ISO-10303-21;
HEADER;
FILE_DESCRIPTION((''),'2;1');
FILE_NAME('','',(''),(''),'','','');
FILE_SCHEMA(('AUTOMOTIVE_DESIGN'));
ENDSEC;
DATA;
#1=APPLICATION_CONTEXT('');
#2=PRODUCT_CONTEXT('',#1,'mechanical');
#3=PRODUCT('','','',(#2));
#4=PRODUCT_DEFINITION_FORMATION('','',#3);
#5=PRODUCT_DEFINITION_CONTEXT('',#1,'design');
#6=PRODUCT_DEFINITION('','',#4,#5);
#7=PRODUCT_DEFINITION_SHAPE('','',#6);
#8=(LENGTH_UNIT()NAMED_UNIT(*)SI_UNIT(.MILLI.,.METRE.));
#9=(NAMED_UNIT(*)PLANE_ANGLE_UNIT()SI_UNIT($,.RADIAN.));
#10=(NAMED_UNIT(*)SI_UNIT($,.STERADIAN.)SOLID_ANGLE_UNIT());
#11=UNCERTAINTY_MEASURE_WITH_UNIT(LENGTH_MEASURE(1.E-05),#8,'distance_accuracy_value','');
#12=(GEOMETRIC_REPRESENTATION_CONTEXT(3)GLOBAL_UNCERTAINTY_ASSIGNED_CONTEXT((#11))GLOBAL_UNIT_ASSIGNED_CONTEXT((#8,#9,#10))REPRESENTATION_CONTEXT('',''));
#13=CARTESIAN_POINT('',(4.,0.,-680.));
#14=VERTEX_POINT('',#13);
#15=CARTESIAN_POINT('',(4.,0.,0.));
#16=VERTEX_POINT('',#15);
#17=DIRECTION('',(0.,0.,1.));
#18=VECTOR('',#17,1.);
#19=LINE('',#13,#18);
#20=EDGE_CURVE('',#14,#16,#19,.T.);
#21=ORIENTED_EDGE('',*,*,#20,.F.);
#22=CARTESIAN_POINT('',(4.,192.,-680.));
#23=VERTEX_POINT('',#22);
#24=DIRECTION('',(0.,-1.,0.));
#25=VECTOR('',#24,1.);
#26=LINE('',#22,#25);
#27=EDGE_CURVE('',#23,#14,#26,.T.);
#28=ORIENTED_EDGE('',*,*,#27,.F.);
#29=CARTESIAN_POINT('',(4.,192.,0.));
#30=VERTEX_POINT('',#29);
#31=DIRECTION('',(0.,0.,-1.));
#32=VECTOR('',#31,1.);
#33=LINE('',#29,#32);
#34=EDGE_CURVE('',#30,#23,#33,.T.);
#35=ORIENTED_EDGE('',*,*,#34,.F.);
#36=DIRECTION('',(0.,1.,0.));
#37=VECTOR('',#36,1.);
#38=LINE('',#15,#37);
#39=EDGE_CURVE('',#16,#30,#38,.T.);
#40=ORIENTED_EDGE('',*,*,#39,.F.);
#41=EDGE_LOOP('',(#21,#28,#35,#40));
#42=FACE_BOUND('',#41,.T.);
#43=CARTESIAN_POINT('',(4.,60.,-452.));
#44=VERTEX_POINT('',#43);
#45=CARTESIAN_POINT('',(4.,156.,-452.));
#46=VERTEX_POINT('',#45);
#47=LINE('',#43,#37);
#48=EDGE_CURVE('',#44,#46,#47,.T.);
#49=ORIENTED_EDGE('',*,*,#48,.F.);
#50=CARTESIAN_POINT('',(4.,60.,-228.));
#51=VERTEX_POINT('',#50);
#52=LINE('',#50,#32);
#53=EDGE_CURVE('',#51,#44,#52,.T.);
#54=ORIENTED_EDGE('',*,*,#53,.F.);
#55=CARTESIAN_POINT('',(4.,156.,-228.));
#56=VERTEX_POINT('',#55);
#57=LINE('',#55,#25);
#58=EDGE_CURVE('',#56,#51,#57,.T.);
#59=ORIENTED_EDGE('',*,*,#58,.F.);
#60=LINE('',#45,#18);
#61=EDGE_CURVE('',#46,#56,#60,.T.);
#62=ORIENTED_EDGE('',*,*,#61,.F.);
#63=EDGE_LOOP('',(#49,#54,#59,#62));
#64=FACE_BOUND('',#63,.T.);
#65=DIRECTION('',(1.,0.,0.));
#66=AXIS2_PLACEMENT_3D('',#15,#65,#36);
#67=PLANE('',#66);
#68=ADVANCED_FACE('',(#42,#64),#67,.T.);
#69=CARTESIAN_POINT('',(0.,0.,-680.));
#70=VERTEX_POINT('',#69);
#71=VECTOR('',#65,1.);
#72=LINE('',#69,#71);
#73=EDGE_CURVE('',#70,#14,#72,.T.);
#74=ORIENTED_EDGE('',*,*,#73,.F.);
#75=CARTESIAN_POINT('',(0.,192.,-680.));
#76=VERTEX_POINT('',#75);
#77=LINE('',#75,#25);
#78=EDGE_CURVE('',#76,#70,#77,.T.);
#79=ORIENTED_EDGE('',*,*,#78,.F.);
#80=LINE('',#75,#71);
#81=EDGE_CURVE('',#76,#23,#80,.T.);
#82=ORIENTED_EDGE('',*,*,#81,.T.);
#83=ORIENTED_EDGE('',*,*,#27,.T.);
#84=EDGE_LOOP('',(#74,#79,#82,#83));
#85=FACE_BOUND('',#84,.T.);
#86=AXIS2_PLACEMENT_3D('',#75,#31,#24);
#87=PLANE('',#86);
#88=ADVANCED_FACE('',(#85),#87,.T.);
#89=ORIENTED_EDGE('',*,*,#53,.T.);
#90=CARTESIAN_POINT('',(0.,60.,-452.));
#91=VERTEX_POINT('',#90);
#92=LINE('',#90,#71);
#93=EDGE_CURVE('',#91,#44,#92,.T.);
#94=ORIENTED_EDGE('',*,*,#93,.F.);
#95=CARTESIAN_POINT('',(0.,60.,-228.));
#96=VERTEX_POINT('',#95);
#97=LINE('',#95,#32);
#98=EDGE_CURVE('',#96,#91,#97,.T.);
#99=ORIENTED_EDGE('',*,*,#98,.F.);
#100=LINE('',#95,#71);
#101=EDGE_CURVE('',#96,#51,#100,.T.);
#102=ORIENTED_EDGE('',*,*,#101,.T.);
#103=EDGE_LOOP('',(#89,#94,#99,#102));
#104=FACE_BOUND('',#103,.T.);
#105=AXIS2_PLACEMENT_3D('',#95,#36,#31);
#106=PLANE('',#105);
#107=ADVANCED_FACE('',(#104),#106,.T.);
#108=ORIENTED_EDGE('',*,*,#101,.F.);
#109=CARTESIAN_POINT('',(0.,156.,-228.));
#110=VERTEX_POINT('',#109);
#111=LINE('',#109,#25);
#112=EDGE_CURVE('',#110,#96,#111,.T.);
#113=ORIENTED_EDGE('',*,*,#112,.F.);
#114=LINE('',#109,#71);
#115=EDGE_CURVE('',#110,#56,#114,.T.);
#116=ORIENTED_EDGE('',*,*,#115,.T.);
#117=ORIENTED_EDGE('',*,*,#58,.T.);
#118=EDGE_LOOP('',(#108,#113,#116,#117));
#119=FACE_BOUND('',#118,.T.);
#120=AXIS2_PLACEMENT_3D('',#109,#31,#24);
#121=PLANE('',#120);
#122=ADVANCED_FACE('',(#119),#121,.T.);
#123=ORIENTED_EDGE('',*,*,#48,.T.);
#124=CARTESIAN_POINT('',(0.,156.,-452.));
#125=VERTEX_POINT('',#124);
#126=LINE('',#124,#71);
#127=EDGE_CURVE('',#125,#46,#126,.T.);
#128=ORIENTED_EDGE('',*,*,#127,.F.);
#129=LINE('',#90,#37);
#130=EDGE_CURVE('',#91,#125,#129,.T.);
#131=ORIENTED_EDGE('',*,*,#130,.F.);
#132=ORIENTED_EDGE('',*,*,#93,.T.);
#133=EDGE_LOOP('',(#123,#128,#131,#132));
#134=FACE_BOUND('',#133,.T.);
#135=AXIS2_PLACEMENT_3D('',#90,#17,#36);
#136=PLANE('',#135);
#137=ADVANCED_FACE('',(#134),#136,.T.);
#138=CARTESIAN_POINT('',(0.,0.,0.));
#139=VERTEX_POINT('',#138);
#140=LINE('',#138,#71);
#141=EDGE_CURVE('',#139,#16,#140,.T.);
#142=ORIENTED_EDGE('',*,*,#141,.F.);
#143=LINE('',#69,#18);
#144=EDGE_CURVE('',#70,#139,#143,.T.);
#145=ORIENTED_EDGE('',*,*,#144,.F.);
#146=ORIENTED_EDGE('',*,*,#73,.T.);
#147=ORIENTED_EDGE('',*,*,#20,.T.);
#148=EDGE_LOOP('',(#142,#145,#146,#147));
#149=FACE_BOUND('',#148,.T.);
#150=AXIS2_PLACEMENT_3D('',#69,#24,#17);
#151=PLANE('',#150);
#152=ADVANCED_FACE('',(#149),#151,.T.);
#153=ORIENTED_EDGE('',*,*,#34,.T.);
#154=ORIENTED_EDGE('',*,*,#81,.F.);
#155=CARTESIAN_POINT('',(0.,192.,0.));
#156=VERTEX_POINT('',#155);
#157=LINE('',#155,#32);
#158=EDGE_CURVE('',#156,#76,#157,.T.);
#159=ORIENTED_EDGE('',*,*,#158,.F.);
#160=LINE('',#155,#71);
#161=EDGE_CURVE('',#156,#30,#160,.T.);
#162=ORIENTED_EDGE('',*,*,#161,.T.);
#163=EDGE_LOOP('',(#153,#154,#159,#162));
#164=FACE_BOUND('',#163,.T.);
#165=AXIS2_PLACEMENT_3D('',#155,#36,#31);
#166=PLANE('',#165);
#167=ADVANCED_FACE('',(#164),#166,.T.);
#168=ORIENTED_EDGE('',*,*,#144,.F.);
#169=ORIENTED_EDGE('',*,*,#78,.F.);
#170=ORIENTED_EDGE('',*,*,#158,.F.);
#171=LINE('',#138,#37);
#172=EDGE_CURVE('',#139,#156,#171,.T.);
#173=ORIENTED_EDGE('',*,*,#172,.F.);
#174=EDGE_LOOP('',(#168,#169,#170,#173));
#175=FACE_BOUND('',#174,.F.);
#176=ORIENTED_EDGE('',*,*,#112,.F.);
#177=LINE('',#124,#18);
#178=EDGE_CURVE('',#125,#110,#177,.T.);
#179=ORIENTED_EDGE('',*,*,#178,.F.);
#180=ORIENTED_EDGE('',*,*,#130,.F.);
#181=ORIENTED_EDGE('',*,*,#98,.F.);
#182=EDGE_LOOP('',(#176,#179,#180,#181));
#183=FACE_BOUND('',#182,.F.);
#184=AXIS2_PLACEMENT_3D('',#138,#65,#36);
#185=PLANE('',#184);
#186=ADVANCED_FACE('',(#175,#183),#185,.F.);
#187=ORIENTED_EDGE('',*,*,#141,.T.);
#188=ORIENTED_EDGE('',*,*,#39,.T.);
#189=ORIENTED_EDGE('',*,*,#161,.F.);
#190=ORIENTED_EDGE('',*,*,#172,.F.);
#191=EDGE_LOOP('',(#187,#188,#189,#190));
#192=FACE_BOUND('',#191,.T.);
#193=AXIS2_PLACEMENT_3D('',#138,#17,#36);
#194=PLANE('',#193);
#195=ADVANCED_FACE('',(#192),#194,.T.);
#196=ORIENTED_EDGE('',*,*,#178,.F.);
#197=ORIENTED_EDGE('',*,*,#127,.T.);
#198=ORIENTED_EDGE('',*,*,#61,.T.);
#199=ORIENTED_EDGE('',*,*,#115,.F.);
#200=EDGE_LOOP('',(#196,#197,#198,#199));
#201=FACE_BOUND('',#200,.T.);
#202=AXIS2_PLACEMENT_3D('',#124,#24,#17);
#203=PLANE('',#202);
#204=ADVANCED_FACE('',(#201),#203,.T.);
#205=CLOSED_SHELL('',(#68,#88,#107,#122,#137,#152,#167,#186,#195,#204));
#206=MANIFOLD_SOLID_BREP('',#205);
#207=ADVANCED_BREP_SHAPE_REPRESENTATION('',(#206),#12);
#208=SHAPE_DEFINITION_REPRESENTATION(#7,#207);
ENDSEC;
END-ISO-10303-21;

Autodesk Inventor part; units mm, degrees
ref_plane "YZ Plane" through (0, 0, 0) normal (1, 0, 0) x (0, 1, 0)
ref_plane "XZ Plane" through (0, 0, 0) normal (0, 1, 0) x (-1, 0, 0)
ref_plane "XY Plane" through (0, 0, 0) normal (0, 0, 1) x (1, 0, 0)
sketch "Skizze1" plane through (0, 0, 0) normal (1, 0, 0) x (0, 1, 0)
  line L0 (0, 0) -> (192, 0)
  line L1 (192, 0) -> (192, -680)
  line L2 (192, -680) -> (0, -680)
  line L3 (0, -680) -> (0, 0)
  line L4 (156, -228) -> (60, -228)
  line L5 (60, -228) -> (60, -452)
  line L6 (60, -452) -> (156, -452)
  line L7 (156, -452) -> (156, -228)
  dimension "d0" = 192
  dimension "d1" = 680
  dimension "d7" = 224
  dimension "d8" = 96
  dimension "d9" = 228
  dimension "d10" = 60
extrude "Extrusion2" add sketch "Skizze1" along normal blind 4
properties part number "TorraumFront"
